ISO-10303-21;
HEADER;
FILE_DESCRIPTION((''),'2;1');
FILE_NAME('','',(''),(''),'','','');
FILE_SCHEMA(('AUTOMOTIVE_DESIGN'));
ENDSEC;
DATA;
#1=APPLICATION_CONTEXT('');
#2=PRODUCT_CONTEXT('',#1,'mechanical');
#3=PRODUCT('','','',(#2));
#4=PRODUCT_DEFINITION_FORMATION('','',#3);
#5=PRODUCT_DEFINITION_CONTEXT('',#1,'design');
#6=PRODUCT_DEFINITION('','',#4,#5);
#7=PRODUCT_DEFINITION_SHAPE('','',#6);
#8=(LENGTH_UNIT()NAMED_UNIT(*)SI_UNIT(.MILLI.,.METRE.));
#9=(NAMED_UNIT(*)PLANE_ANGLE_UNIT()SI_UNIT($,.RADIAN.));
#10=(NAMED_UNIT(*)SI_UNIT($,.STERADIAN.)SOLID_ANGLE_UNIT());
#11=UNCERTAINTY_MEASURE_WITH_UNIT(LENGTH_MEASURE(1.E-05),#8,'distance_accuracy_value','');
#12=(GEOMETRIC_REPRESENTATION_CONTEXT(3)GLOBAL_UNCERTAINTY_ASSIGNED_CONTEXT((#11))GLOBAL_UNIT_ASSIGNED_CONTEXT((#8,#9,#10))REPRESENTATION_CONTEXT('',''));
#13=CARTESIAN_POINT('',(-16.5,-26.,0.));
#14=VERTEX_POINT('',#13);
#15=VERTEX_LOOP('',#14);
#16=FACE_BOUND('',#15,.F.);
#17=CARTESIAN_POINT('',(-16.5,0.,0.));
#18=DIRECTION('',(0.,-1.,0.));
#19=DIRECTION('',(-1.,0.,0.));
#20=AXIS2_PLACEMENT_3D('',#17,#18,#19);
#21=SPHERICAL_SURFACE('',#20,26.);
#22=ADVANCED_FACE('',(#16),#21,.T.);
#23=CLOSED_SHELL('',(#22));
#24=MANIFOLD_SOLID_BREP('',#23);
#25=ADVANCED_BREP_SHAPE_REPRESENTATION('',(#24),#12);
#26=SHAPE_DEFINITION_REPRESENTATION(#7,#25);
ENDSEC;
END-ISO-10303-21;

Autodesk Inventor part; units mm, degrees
ref_plane "YZ Plane" through (0, 0, 0) normal (1, 0, 0) x (0, 1, 0)
ref_plane "XZ Plane" through (0, 0, 0) normal (0, 1, 0) x (-1, 0, 0)
ref_plane "XY Plane" through (0, 0, 0) normal (0, 0, 1) x (1, 0, 0)
ref_plane "РабПлоскость1" through (0, 0, 0) normal (0, 0, 1) x (1, 0, 0)
sketch "Эскиз1" plane through (0, 0, 0) normal (0, 0, 1) x (1, 0, 0)
  circle A0 centre (-16.5, 0) radius 26 projected
  line L0 (-16.5, -26) -> (-16.5, 26)
  point P0 (0, 0)
revolve "Вращение1" add sketch "Эскиз1" angle 360 about axis through (-16.5, -26, 0) along (0, 1, 0) picked at (-24.6035, -3.0732) contours L0 A0
properties part number "ball"
